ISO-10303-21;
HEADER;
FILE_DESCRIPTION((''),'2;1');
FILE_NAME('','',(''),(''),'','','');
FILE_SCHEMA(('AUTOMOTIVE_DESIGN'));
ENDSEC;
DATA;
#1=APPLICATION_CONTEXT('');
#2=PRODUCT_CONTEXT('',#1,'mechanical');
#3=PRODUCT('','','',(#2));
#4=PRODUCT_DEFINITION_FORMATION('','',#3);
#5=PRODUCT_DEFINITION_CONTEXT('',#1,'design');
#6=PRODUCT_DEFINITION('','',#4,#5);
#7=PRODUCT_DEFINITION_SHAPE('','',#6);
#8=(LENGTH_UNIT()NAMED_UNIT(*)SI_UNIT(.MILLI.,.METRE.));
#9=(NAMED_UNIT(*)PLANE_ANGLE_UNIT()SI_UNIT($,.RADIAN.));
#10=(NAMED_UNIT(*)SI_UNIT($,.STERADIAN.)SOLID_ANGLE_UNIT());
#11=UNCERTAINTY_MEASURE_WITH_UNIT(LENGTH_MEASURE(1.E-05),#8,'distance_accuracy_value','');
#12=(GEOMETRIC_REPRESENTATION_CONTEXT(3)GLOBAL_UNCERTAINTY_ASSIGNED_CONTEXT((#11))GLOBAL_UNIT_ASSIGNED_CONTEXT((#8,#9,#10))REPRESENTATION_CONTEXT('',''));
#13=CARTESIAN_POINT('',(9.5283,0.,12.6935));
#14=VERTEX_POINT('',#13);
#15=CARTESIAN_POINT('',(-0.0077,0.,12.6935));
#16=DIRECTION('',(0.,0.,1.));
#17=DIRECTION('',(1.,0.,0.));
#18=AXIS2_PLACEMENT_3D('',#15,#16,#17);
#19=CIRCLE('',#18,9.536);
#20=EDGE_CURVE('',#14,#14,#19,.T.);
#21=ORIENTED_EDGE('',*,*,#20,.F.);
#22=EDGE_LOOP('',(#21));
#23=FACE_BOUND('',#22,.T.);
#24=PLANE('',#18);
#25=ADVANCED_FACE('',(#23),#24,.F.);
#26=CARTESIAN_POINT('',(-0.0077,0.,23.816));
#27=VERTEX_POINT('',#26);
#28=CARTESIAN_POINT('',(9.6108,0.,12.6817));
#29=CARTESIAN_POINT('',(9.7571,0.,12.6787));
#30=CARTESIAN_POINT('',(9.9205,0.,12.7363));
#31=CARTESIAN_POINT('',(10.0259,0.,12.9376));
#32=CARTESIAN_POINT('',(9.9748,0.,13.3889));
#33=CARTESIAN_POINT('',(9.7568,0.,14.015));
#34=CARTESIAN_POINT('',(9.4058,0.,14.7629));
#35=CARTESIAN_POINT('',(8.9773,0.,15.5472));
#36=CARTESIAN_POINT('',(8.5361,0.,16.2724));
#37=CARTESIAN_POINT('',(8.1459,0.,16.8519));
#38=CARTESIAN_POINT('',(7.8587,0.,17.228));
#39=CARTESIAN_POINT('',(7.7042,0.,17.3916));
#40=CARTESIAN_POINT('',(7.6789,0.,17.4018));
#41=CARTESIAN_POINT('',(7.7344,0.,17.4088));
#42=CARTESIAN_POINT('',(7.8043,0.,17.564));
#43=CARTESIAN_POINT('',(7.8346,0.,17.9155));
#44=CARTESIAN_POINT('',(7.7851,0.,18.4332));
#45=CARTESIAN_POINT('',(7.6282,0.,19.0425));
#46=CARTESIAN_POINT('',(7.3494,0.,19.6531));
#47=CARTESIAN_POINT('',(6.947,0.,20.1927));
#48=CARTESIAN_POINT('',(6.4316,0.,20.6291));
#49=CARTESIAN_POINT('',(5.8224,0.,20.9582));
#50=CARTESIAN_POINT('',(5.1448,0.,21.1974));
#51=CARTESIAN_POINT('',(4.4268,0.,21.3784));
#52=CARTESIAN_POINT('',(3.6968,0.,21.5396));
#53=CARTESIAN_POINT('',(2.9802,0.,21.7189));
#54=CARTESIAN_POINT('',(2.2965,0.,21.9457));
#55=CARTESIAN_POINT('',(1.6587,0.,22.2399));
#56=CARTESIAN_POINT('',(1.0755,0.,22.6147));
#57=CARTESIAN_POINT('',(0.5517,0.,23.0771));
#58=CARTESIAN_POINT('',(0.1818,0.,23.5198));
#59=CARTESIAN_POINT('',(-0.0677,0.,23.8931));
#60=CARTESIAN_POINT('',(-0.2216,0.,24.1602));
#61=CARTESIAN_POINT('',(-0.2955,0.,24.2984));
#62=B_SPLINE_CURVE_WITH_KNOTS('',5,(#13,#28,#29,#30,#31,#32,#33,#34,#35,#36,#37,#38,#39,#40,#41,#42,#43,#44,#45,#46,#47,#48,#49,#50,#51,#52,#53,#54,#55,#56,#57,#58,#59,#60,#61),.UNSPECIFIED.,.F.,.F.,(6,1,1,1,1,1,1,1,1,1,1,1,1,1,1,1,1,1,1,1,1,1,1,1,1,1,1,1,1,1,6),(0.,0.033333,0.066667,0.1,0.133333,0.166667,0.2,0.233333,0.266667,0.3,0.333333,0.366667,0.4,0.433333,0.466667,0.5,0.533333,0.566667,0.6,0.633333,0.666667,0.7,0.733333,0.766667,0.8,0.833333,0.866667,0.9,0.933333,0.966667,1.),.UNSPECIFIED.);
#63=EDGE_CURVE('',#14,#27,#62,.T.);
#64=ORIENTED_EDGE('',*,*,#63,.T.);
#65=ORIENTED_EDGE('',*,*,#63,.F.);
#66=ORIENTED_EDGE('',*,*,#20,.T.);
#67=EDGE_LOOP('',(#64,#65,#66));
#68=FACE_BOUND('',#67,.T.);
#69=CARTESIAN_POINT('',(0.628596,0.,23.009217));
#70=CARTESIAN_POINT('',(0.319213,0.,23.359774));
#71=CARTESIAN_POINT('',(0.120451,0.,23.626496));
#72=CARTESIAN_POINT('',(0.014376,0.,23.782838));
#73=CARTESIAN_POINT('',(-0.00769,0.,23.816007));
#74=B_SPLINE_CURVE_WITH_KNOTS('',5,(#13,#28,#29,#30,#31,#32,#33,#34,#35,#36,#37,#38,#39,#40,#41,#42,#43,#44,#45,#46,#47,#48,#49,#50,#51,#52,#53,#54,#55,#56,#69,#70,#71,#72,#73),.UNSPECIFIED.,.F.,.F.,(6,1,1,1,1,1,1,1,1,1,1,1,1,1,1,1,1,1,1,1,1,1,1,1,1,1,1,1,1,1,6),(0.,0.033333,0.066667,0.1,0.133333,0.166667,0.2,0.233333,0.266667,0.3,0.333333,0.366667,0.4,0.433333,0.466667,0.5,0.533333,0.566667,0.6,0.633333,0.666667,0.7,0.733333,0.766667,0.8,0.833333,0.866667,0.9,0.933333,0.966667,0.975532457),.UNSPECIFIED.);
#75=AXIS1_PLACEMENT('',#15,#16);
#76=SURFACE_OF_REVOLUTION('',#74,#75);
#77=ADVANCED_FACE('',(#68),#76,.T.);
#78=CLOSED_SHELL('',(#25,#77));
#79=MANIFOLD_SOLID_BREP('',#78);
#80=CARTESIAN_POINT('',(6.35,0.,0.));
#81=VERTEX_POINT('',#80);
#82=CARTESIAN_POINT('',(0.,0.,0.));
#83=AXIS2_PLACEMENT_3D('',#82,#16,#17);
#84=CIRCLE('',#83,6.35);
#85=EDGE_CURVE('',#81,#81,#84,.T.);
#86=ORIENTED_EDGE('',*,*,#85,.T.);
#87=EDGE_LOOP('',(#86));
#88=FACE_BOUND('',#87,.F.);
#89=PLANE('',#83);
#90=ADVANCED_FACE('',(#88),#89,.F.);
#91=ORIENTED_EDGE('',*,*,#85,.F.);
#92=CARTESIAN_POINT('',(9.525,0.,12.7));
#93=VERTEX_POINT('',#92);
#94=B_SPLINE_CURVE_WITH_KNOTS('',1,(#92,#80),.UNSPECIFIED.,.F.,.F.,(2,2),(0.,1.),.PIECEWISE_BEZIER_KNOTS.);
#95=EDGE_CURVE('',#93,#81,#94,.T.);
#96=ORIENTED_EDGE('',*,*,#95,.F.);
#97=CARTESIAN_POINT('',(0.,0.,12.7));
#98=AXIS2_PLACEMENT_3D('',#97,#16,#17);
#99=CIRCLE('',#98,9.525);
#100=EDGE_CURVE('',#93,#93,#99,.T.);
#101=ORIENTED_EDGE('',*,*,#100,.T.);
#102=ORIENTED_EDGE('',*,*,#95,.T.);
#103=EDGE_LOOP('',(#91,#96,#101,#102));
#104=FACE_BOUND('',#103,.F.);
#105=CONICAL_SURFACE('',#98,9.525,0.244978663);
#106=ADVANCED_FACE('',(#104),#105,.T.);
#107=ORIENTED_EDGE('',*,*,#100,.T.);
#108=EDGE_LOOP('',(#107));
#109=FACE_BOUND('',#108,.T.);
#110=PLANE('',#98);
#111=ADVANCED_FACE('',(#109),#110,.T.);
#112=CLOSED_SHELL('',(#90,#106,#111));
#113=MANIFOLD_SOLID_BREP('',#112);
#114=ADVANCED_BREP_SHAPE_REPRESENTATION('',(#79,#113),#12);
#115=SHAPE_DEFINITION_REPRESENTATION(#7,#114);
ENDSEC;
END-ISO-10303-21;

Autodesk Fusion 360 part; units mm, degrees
sketch "Sketch1" plane through (0, 0, 0) normal (0, 0, 1) x (1, 0, 0)
ref_plane "WorkPlane2" through (0, 0, 12.7) normal (0, 0, 1) x (1, 0, 0)
sketch "Sketch2" plane through (0, 0, 12.7) normal (0, 0, 1) x (1, 0, 0)
sketch "Sketch3" plane through (0, 0, 0) normal (0, 0, 1) x (1, 0, 0)
sketch "Sketch4" plane through (0, 0, 0) normal (0, 0, 1) x (1, 0, 0)
  circle A0 centre (0, 0) radius 6.35
  dimension "d5" = 12.7
sketch "Sketch5" plane through (0, 0, 12.7) normal (0, 0, 1) x (1, 0, 0)
  circle A0 centre (0, 0) radius 9.525
  dimension "d6" = 19.05
loft "Loft1" add profiles "Sketch5", "Sketch4" section 1 section 2 makes body 1
sketch "Sketch6" plane through (0, 0, 0) normal (0, 1, 0) x (1, 0, 0)
  line L0 (0.0062, -12.6962) -> (-9.4561, -12.6962)
  spline S0 degree 5 poles (-9.4561, -12.6962) (-9.6086, -12.5647) (-9.9028, -12.3297) (-10.3124, -12.0611) (-10.7944, -11.8716) (-11.2866, -11.9136) (-11.6595, -12.2218) (-11.8972, -12.7635) (-11.9766, -13.4827) (-11.8743, -14.3123) (-11.5728, -15.1831) (-11.0666, -16.0345) (-10.3696, -16.8243) (-9.5097, -17.5256) (-8.5237, -18.1236) (-7.4524, -18.6121) (-6.3357, -18.991) (-5.2079, -19.2636) (-4.0929, -19.4331) (-3.0059, -19.5033) (-1.9554, -19.4772) (-1.1474, -19.3813) (-0.56, -19.2678) (-0.1766, -19.1738) (0.013, -19.1222) knots 0 0 0 0 0 0 0.05 0.1 0.15 0.2 0.25 0.3 0.35 0.4 0.45 0.5 0.55 0.6 0.65 0.7 0.75 0.8 0.85 0.9 0.95 1 1 1 1 1 1
  line L1 (0.013, -19.1222) -> (0.0062, -12.6962)
  point P0 (-11.5402, -12.1763)
  point P1 (-11.5053, -15.213)
  point P2 (-6.2697, -18.9826)
sketch "Sketch7" plane through (0, 0, 0) normal (1, 0, 0) x (0, 1, 0)
  line L0 (0.0682, 12.7183) -> (9.4407, 12.7183)
  spline S0 degree 5 poles (9.4407, 12.7183) (9.4977, 12.7532) (9.6081, 12.8323) (9.7632, 12.9784) (9.9492, 13.2281) (10.1441, 13.6298) (10.2936, 14.1146) (10.3826, 14.6695) (10.3846, 15.2722) (10.2702, 15.8937) (10.0166, 16.5023) (9.6175, 17.0677) (9.0923, 17.5644) (8.4968, 17.9753) (7.9308, 18.296) (7.5016, 18.5338) (7.2852, 18.7087) (7.2954, 18.8519) (7.4324, 19.0085) (7.4979, 19.2302) (7.3026, 19.5585) (6.766, 20.0073) (5.9102, 20.5648) (4.8251, 21.2012) (3.6437, 21.8737) (2.5134, 22.533) (1.5694, 23.1288) (0.9061, 23.6156) (0.5522, 23.9588) (0.4368, 24.1412) (0.379, 24.1666) (0.1829, 24.0491) (-0.2634, 23.8032) (-0.9835, 23.442) (-1.9389, 22.9788) (-3.0449, 22.4278) (-4.1907, 21.8052) (-5.2571, 21.1297) (-6.1358, 20.4238) (-6.7477, 19.7144) (-7.0623, 19.0342) (-7.1137, 18.4214) (-6.9775, 17.9116) (-6.7508, 17.5291) (-6.5312, 17.2791) (-6.3949, 17.1378) (-6.3819, 17.0498) (-6.513, 16.9543) (-6.8023, 16.8074) (-7.2591, 16.5802) (-7.8884, 16.2555) (-8.5318, 15.9111) (-9.0934, 15.6039) (-9.5028, 15.3775) (-9.7163, 15.2588) knots 0 0 0 0 0 0 0.02 0.04 0.06 0.08 0.1 0.12 0.14 0.16 0.18 0.2 0.22 0.24 0.26 0.28 0.3 0.32 0.34 0.36 0.38 0.4 0.42 0.44 0.46 0.48 0.5 0.52 0.54 0.56 0.58 0.6 0.62 0.64 0.66 0.68 0.7 0.72 0.74 0.76 0.78 0.8 0.82 0.84 0.86 0.88 0.9 0.92 0.94 0.96 0.98 1 1 1 1 1 1
  line L1 (0.3085, 24.1164) -> (0.0682, 12.7183)
  point P0 (10.299, 14.2289)
  point P1 (9.0974, 17.5247)
  point P2 (7.3121, 18.795)
  point P3 (7.4151, 19.31)
  point P4 (0.6518, 23.8761)
  point P5 (0.3085, 24.1164)
  point P6 (-6.6265, 19.7906)
  point P7 (-6.5922, 17.3531)
  point P8 (-6.4205, 17.0441)
sketch "Sketch8" plane through (0, 0, 0) normal (0, 1, 0) x (1, 0, 0)
  line L0 (-0.0077, -12.6935) -> (9.5283, -12.6935)
  spline S0 degree 5 poles (9.5283, -12.6935) (9.6108, -12.6817) (9.7571, -12.6787) (9.9205, -12.7363) (10.0259, -12.9376) (9.9748, -13.3889) (9.7568, -14.015) (9.4058, -14.7629) (8.9773, -15.5472) (8.5361, -16.2724) (8.1459, -16.8519) (7.8587, -17.228) (7.7042, -17.3916) (7.6789, -17.4018) (7.7344, -17.4088) (7.8043, -17.564) (7.8346, -17.9155) (7.7851, -18.4332) (7.6282, -19.0425) (7.3494, -19.6531) (6.947, -20.1927) (6.4316, -20.6291) (5.8224, -20.9582) (5.1448, -21.1974) (4.4268, -21.3784) (3.6968, -21.5396) (2.9802, -21.7189) (2.2965, -21.9457) (1.6587, -22.2399) (1.0755, -22.6147) (0.5517, -23.0771) (0.1818, -23.5198) (-0.0677, -23.8931) (-0.2216, -24.1602) (-0.2955, -24.2984) knots 0 0 0 0 0 0 0.033333 0.066667 0.1 0.133333 0.166667 0.2 0.233333 0.266667 0.3 0.333333 0.366667 0.4 0.433333 0.466667 0.5 0.533333 0.566667 0.6 0.633333 0.666667 0.7 0.733333 0.766667 0.8 0.833333 0.866667 0.9 0.933333 0.966667 1 1 1 1 1 1
  line L1 (-0.0077, -12.6935) -> (-0.0077, -23.816)
  point P0 (9.7817, -13.8999)
  point P1 (7.7319, -17.3584)
  point P2 (7.7427, -17.4525)
  point P3 (7.4038, -19.4837)
  point P4 (3.4796, -21.598)
revolve "Revolve3" add sketch "Sketch8" angle 360 about axis through (-0.0077, 0, 12.6935) along (0, 0, 1) separate body makes body 2
